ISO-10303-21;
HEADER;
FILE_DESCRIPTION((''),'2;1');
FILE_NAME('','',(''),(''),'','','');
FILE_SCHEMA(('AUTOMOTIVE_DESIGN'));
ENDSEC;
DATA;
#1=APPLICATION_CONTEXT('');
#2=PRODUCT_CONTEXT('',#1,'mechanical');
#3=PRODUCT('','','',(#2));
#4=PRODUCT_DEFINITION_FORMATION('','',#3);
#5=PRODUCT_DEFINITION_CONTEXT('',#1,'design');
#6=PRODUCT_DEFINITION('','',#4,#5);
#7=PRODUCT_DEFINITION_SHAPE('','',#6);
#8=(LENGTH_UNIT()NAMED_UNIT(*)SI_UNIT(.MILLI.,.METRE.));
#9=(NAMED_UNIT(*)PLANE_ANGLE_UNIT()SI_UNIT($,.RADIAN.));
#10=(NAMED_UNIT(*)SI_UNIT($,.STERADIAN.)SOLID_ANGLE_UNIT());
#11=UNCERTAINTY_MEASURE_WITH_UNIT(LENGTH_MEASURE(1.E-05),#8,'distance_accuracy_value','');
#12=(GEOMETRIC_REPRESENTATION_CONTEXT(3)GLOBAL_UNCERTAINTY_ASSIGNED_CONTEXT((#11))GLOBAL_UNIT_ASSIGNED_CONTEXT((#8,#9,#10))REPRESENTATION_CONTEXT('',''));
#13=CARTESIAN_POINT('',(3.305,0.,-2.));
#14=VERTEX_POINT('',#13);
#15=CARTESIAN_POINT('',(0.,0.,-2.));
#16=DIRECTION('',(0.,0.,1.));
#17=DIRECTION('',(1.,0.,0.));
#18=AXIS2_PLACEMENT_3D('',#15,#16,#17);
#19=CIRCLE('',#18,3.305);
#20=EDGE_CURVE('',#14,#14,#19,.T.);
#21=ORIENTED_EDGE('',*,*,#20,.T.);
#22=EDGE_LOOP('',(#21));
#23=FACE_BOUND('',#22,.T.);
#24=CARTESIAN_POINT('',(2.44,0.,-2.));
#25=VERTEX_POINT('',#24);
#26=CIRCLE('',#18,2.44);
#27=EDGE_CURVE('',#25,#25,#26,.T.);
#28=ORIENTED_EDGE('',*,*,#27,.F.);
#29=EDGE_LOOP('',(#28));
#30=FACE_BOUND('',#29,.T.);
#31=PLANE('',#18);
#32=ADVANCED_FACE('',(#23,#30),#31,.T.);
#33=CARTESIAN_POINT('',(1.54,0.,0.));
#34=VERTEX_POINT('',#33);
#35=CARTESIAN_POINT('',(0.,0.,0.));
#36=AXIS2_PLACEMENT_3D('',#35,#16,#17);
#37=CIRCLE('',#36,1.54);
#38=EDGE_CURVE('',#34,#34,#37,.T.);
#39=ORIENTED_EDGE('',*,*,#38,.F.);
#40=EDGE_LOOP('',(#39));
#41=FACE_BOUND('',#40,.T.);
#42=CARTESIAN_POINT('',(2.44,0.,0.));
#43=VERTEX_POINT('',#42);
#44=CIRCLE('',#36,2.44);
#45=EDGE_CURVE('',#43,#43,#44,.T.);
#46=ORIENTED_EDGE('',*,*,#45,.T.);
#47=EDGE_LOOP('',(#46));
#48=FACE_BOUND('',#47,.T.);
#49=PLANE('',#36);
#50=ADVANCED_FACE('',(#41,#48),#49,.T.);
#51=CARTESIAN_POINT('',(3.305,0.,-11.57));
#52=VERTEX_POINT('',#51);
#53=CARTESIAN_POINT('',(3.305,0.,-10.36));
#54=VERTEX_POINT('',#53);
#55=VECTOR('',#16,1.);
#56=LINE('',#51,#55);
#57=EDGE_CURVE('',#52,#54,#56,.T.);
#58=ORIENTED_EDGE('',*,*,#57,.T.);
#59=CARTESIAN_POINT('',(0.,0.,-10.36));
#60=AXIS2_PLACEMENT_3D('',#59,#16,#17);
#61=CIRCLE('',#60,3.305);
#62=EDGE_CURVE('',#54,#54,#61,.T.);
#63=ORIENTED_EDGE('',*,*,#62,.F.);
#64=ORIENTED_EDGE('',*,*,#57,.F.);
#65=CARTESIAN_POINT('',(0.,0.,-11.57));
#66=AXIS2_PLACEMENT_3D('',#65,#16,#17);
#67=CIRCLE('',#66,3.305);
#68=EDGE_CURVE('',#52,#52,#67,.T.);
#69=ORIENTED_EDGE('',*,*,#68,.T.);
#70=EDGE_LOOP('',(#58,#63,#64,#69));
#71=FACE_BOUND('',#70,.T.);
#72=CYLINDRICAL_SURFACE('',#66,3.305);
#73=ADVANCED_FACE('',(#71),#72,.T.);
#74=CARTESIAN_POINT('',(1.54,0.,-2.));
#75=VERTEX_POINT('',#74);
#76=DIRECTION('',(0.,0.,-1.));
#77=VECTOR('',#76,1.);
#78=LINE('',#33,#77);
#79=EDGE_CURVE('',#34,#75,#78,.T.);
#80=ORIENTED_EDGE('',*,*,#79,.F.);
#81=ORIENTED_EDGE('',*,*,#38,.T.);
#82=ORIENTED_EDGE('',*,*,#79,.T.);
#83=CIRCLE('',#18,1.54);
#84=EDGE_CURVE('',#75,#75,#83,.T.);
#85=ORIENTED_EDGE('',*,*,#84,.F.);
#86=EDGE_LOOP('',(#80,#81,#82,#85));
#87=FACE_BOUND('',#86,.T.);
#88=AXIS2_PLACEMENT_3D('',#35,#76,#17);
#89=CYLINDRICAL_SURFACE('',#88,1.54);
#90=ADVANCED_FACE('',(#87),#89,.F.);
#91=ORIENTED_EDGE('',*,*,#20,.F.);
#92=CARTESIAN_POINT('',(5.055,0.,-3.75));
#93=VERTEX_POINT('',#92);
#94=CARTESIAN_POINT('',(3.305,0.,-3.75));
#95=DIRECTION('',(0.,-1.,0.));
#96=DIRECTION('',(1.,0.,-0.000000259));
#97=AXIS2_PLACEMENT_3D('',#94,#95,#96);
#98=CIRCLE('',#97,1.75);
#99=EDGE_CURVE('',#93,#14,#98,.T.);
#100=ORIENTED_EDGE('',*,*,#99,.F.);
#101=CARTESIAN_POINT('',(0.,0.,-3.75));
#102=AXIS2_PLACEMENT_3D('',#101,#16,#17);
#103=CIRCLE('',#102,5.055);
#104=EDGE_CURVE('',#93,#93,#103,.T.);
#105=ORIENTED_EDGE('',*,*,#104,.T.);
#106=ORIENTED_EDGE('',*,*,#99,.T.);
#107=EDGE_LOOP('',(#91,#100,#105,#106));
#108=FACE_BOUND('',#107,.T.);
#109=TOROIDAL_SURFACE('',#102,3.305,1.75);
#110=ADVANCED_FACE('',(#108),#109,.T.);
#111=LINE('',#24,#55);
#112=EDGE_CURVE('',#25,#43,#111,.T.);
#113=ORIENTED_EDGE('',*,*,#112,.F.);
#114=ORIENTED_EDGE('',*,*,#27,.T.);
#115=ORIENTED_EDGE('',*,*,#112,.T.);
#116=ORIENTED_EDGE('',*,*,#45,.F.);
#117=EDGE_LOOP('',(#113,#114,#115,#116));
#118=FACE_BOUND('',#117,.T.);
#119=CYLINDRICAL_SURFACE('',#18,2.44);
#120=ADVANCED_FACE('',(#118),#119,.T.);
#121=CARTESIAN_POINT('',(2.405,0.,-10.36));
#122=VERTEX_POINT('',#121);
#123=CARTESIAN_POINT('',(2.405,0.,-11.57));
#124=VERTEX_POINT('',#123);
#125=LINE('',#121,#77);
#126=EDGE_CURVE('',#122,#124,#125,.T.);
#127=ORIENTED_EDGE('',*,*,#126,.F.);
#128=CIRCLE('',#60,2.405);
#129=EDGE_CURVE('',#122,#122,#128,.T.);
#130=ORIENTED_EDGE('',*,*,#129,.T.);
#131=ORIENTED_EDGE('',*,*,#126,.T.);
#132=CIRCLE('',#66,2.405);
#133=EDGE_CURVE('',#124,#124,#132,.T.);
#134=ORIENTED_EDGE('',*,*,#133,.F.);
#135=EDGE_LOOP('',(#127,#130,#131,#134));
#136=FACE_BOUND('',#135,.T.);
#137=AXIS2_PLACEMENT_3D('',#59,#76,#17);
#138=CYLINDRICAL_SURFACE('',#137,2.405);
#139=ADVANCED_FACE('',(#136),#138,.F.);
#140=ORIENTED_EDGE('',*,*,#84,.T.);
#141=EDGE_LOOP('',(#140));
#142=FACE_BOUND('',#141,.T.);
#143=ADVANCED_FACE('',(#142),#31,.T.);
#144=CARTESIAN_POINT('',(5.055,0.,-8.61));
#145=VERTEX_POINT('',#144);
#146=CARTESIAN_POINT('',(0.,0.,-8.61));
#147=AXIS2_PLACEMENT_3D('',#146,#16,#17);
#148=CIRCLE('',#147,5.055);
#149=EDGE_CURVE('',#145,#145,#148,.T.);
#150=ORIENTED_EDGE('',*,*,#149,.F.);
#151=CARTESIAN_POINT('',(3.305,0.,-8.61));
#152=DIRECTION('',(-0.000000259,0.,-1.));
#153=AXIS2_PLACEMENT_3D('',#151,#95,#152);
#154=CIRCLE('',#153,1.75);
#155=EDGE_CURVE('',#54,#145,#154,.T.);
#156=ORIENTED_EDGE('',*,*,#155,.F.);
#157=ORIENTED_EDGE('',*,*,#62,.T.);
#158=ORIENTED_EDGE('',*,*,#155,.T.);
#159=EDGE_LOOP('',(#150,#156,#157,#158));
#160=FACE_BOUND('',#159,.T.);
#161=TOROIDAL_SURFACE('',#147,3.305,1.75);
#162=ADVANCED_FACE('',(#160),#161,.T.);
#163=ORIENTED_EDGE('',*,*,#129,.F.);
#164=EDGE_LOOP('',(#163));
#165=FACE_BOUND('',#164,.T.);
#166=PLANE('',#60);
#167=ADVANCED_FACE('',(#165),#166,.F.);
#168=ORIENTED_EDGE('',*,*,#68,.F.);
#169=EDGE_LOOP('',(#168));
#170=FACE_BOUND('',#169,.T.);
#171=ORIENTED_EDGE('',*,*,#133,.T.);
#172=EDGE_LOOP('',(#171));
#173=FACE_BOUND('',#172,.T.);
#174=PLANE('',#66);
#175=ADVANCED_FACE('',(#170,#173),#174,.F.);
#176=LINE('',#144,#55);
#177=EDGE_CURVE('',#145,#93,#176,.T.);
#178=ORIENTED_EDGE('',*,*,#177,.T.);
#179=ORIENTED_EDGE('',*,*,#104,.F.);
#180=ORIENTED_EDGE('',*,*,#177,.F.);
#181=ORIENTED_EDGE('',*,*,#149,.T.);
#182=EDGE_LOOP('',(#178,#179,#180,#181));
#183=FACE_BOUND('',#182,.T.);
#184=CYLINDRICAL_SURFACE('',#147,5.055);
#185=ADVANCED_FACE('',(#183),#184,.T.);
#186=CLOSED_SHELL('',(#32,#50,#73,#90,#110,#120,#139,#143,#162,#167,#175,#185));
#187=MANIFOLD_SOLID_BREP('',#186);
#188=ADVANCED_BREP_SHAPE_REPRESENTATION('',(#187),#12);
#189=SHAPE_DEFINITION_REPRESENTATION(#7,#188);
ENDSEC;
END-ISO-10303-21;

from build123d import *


with BuildPart() as f1:
    # F0 (on Front) → F1 (revolve)
    with BuildSketch(Plane.XZ):
        with BuildLine():
            Line((2.44, 0), (1.54, 0))
            Line((1.54, 0), (1.54, -2))
            Line((1.54, -2), (0, -2))
            Line((0, -2), (0, -10.36))
            Line((0, -10.36), (2.405, -10.36))
            Line((2.405, -10.36), (2.405, -11.57))
            Line((2.405, -11.57), (3.305, -11.57))
            Line((3.305, -11.57), (3.305, -10.36))
            ThreePointArc((3.305, -10.36), (4.542437, -9.847437), (5.055, -8.61))
            Line((5.055, -8.61), (5.055, -3.75))
            ThreePointArc((5.055, -3.75), (4.542437, -2.512563), (3.305, -2))
            Line((3.305, -2), (2.44, -2))
            Line((2.44, -2), (2.44, 0))
        make_face()
    revolve(axis=Axis((0, 0, 28.045654), (0, 0, 1)))


solid = f1.part
